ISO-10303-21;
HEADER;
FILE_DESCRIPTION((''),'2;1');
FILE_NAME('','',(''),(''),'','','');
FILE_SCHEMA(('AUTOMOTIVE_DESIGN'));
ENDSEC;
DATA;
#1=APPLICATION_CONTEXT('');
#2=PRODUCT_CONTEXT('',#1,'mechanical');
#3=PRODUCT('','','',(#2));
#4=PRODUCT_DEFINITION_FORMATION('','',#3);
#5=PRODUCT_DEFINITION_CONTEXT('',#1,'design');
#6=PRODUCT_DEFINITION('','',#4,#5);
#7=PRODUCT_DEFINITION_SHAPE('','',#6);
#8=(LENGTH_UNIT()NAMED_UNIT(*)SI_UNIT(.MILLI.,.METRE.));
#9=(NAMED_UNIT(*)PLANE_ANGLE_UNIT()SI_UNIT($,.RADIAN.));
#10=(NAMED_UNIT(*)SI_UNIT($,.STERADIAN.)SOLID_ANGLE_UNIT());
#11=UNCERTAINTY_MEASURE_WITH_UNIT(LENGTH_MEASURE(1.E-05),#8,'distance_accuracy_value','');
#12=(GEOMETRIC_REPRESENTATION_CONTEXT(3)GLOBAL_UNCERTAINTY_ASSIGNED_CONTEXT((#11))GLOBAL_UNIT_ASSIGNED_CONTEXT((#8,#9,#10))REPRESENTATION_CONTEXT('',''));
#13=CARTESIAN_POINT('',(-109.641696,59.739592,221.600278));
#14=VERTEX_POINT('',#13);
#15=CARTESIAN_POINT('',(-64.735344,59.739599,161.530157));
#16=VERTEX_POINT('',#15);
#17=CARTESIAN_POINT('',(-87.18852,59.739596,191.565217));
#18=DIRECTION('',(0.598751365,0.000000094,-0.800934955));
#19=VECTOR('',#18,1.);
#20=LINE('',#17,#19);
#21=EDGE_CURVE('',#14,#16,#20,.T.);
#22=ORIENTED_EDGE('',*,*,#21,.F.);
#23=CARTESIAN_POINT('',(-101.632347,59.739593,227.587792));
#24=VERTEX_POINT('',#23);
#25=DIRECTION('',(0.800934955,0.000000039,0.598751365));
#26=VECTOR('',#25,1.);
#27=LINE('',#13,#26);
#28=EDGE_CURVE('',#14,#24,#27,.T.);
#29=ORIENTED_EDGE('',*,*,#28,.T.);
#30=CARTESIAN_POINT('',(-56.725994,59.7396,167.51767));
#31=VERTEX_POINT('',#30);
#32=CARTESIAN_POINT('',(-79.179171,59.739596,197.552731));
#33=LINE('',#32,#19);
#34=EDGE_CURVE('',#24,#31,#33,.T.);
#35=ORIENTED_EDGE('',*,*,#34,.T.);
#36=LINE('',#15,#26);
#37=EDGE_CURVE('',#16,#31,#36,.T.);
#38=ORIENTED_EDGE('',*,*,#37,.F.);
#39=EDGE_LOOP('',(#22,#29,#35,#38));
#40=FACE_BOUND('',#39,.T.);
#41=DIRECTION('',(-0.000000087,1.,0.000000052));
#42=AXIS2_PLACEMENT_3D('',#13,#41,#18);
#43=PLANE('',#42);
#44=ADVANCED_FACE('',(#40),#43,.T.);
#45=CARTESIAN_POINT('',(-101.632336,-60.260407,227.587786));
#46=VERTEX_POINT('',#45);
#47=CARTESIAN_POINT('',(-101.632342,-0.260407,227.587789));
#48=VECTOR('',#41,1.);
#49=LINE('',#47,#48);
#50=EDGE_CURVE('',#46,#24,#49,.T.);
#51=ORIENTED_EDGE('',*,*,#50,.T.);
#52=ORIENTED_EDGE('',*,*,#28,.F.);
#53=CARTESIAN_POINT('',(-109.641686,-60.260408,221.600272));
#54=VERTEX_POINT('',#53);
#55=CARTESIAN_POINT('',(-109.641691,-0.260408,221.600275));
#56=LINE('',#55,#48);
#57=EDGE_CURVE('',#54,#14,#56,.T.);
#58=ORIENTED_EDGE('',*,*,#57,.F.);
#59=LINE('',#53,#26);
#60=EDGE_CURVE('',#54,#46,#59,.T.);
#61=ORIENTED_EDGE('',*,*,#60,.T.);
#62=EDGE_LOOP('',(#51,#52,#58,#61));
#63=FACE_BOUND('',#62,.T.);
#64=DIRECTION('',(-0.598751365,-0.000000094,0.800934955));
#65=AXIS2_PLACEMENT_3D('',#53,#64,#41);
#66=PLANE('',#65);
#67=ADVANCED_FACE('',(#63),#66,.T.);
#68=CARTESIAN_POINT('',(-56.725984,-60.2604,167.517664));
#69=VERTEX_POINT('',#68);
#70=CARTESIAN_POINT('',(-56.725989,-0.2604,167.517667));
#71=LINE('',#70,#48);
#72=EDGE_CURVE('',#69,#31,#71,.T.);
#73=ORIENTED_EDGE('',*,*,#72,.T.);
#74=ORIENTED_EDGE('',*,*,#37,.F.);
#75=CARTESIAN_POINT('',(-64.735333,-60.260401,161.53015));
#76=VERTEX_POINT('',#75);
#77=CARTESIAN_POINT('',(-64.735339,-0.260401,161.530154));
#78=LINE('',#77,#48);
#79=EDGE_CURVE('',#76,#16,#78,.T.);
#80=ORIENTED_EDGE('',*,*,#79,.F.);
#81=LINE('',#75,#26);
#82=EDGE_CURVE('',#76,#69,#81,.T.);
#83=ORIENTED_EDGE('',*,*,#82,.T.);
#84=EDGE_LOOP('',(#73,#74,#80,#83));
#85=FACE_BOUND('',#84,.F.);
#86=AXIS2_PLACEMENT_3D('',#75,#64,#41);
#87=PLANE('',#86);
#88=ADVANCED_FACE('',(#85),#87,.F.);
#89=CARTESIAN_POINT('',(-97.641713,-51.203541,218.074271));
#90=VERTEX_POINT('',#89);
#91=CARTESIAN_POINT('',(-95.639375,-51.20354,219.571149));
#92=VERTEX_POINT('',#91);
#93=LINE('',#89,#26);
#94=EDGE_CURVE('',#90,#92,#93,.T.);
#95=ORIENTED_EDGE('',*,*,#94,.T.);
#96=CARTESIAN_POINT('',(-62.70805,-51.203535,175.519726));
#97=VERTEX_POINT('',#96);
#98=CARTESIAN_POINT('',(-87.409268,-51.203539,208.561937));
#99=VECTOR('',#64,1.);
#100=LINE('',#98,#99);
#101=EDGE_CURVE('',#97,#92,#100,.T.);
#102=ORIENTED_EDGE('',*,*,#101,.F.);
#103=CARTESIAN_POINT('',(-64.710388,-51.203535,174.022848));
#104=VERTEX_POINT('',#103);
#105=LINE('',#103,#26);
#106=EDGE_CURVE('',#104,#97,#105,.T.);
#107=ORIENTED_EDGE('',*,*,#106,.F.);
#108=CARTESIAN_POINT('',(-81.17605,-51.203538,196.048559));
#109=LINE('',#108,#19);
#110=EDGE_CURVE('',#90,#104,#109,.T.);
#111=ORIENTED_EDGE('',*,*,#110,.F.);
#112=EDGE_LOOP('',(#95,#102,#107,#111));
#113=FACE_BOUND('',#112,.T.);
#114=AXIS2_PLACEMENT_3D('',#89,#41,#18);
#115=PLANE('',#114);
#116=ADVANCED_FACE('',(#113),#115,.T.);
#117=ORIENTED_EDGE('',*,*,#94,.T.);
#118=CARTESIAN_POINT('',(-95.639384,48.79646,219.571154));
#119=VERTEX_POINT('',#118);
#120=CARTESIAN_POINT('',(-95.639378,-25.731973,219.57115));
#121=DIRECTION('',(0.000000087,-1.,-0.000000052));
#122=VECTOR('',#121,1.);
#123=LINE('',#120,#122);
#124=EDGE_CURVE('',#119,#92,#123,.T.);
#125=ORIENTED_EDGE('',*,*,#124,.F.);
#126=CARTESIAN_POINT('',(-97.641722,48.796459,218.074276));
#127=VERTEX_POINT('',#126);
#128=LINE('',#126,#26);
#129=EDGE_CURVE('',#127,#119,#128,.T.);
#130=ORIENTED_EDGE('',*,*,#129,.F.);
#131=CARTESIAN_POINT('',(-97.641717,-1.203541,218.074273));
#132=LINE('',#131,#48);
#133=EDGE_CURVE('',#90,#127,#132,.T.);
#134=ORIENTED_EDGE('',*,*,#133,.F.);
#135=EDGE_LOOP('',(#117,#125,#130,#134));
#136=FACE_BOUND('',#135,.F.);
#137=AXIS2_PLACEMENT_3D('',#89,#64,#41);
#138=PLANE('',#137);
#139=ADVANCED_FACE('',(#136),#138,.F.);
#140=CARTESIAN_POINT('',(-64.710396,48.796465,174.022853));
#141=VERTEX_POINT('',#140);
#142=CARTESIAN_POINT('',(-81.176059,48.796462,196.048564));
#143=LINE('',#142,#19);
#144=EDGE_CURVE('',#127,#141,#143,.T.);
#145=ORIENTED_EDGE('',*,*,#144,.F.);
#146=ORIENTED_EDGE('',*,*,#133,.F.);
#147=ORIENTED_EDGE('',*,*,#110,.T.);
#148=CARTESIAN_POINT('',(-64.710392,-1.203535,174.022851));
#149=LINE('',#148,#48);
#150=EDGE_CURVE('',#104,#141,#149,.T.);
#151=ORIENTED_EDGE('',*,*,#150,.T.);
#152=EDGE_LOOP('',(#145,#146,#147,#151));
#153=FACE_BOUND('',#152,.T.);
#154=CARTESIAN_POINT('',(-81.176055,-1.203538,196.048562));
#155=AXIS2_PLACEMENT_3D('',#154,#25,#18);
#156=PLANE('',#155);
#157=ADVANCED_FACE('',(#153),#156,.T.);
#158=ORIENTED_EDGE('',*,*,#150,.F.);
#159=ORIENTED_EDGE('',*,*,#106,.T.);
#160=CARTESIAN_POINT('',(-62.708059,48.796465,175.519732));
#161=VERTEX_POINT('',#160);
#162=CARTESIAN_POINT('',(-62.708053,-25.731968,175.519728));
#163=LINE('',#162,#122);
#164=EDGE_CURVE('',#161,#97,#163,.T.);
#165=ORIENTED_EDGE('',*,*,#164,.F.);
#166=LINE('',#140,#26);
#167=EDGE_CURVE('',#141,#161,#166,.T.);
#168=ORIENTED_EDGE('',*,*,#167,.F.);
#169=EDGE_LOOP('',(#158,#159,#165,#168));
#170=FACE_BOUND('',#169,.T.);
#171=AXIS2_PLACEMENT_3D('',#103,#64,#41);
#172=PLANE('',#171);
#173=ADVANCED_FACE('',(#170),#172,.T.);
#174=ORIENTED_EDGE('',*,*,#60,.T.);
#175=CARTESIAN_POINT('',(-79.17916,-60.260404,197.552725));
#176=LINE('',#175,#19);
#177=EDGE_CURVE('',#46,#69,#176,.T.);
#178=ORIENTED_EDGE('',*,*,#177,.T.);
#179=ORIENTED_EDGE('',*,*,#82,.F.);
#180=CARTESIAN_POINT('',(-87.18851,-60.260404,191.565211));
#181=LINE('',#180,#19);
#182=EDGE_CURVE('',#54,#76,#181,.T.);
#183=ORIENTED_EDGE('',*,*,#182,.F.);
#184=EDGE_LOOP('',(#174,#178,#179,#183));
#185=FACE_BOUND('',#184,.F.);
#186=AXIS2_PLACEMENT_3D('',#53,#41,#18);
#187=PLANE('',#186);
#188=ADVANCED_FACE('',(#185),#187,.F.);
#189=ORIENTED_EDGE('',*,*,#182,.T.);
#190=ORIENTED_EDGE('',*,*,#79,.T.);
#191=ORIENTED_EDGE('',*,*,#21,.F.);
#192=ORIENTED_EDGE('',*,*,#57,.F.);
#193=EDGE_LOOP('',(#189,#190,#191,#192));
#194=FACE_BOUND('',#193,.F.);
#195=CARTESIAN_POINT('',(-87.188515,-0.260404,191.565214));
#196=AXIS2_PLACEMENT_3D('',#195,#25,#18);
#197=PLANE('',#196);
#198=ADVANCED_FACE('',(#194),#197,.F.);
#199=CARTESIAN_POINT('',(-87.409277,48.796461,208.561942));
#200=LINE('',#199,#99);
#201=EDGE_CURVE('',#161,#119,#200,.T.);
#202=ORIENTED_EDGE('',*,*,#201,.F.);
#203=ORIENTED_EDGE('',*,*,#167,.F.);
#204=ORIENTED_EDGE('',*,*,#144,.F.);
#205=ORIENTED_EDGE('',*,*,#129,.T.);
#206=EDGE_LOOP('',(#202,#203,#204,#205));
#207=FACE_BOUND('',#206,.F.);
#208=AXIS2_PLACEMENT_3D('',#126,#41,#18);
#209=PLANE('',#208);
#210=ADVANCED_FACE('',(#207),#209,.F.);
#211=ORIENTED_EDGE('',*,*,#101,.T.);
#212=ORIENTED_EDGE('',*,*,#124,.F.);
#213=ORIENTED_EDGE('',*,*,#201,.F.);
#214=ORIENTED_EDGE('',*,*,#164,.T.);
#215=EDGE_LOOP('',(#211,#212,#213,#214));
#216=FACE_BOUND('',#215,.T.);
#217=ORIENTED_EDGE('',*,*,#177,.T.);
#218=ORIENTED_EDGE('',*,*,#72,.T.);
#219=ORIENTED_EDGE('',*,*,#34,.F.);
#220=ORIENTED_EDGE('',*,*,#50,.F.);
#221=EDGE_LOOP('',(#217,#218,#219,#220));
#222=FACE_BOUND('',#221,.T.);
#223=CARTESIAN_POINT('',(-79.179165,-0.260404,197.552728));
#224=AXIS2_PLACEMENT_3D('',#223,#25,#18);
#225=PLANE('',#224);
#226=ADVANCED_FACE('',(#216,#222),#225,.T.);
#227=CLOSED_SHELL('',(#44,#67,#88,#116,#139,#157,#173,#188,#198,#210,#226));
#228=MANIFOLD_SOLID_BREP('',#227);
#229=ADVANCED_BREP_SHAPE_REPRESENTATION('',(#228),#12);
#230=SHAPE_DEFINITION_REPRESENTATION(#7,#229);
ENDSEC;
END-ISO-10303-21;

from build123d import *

# Parameters (mm, degrees)
BOX002_W               = 55
BOX002_H               = 100
BOX002_DEPTH           = 10
SKETCH010_W            = 75
SKETCH010_H            = 120
PAD009_DEPTH           = 10
CUT037_ROLL_ANGLE      = 5e-06
CUT037_PITCH_ANGLE     = 53.219477
CUT037_PLACEMENT_ANGLE = 9e-06


with BuildPart() as box002:
    # Box002 → Box002 (new body)
    with BuildSketch(Plane(origin=(-115, 45.8, 7.5), x_dir=(1, 0, 0), z_dir=(0, 0, 1))):
        with Locations((27.5, 50)):
            Rectangle(BOX002_W, BOX002_H)
    extrude(amount=BOX002_DEPTH)


with BuildPart() as display:
    # Sketch010 → Pad009 (new body)
    with BuildSketch(Plane.XY):
        with Locations((-87.509099, 96.743134)):
            Rectangle(SKETCH010_W, SKETCH010_H)
    extrude(amount=PAD009_DEPTH)

    # Cut037: cut Box002
    add(box002.part, mode=Mode.SUBTRACT)


with BuildPart() as display_1:
    # Cut037 roll: moved
    add(display.part.rotate(Axis((0, 0, 0), (1, 0, 0)), CUT037_ROLL_ANGLE))


with BuildPart() as display_2:
    # Cut037 pitch: moved
    add(display_1.part.rotate(Axis((0, 0, 0), (0, 1, 0)), CUT037_PITCH_ANGLE))


with BuildPart() as display_3:
    # Cut037 placement: moved
    add(display_2.part.moved(Location((-34.792314, -97.00353, 121.476113))).rotate(Axis((-34.792314, -97.00353, 121.476113), (0, 0, 1)), CUT037_PLACEMENT_ANGLE))


solid = display_3.part
